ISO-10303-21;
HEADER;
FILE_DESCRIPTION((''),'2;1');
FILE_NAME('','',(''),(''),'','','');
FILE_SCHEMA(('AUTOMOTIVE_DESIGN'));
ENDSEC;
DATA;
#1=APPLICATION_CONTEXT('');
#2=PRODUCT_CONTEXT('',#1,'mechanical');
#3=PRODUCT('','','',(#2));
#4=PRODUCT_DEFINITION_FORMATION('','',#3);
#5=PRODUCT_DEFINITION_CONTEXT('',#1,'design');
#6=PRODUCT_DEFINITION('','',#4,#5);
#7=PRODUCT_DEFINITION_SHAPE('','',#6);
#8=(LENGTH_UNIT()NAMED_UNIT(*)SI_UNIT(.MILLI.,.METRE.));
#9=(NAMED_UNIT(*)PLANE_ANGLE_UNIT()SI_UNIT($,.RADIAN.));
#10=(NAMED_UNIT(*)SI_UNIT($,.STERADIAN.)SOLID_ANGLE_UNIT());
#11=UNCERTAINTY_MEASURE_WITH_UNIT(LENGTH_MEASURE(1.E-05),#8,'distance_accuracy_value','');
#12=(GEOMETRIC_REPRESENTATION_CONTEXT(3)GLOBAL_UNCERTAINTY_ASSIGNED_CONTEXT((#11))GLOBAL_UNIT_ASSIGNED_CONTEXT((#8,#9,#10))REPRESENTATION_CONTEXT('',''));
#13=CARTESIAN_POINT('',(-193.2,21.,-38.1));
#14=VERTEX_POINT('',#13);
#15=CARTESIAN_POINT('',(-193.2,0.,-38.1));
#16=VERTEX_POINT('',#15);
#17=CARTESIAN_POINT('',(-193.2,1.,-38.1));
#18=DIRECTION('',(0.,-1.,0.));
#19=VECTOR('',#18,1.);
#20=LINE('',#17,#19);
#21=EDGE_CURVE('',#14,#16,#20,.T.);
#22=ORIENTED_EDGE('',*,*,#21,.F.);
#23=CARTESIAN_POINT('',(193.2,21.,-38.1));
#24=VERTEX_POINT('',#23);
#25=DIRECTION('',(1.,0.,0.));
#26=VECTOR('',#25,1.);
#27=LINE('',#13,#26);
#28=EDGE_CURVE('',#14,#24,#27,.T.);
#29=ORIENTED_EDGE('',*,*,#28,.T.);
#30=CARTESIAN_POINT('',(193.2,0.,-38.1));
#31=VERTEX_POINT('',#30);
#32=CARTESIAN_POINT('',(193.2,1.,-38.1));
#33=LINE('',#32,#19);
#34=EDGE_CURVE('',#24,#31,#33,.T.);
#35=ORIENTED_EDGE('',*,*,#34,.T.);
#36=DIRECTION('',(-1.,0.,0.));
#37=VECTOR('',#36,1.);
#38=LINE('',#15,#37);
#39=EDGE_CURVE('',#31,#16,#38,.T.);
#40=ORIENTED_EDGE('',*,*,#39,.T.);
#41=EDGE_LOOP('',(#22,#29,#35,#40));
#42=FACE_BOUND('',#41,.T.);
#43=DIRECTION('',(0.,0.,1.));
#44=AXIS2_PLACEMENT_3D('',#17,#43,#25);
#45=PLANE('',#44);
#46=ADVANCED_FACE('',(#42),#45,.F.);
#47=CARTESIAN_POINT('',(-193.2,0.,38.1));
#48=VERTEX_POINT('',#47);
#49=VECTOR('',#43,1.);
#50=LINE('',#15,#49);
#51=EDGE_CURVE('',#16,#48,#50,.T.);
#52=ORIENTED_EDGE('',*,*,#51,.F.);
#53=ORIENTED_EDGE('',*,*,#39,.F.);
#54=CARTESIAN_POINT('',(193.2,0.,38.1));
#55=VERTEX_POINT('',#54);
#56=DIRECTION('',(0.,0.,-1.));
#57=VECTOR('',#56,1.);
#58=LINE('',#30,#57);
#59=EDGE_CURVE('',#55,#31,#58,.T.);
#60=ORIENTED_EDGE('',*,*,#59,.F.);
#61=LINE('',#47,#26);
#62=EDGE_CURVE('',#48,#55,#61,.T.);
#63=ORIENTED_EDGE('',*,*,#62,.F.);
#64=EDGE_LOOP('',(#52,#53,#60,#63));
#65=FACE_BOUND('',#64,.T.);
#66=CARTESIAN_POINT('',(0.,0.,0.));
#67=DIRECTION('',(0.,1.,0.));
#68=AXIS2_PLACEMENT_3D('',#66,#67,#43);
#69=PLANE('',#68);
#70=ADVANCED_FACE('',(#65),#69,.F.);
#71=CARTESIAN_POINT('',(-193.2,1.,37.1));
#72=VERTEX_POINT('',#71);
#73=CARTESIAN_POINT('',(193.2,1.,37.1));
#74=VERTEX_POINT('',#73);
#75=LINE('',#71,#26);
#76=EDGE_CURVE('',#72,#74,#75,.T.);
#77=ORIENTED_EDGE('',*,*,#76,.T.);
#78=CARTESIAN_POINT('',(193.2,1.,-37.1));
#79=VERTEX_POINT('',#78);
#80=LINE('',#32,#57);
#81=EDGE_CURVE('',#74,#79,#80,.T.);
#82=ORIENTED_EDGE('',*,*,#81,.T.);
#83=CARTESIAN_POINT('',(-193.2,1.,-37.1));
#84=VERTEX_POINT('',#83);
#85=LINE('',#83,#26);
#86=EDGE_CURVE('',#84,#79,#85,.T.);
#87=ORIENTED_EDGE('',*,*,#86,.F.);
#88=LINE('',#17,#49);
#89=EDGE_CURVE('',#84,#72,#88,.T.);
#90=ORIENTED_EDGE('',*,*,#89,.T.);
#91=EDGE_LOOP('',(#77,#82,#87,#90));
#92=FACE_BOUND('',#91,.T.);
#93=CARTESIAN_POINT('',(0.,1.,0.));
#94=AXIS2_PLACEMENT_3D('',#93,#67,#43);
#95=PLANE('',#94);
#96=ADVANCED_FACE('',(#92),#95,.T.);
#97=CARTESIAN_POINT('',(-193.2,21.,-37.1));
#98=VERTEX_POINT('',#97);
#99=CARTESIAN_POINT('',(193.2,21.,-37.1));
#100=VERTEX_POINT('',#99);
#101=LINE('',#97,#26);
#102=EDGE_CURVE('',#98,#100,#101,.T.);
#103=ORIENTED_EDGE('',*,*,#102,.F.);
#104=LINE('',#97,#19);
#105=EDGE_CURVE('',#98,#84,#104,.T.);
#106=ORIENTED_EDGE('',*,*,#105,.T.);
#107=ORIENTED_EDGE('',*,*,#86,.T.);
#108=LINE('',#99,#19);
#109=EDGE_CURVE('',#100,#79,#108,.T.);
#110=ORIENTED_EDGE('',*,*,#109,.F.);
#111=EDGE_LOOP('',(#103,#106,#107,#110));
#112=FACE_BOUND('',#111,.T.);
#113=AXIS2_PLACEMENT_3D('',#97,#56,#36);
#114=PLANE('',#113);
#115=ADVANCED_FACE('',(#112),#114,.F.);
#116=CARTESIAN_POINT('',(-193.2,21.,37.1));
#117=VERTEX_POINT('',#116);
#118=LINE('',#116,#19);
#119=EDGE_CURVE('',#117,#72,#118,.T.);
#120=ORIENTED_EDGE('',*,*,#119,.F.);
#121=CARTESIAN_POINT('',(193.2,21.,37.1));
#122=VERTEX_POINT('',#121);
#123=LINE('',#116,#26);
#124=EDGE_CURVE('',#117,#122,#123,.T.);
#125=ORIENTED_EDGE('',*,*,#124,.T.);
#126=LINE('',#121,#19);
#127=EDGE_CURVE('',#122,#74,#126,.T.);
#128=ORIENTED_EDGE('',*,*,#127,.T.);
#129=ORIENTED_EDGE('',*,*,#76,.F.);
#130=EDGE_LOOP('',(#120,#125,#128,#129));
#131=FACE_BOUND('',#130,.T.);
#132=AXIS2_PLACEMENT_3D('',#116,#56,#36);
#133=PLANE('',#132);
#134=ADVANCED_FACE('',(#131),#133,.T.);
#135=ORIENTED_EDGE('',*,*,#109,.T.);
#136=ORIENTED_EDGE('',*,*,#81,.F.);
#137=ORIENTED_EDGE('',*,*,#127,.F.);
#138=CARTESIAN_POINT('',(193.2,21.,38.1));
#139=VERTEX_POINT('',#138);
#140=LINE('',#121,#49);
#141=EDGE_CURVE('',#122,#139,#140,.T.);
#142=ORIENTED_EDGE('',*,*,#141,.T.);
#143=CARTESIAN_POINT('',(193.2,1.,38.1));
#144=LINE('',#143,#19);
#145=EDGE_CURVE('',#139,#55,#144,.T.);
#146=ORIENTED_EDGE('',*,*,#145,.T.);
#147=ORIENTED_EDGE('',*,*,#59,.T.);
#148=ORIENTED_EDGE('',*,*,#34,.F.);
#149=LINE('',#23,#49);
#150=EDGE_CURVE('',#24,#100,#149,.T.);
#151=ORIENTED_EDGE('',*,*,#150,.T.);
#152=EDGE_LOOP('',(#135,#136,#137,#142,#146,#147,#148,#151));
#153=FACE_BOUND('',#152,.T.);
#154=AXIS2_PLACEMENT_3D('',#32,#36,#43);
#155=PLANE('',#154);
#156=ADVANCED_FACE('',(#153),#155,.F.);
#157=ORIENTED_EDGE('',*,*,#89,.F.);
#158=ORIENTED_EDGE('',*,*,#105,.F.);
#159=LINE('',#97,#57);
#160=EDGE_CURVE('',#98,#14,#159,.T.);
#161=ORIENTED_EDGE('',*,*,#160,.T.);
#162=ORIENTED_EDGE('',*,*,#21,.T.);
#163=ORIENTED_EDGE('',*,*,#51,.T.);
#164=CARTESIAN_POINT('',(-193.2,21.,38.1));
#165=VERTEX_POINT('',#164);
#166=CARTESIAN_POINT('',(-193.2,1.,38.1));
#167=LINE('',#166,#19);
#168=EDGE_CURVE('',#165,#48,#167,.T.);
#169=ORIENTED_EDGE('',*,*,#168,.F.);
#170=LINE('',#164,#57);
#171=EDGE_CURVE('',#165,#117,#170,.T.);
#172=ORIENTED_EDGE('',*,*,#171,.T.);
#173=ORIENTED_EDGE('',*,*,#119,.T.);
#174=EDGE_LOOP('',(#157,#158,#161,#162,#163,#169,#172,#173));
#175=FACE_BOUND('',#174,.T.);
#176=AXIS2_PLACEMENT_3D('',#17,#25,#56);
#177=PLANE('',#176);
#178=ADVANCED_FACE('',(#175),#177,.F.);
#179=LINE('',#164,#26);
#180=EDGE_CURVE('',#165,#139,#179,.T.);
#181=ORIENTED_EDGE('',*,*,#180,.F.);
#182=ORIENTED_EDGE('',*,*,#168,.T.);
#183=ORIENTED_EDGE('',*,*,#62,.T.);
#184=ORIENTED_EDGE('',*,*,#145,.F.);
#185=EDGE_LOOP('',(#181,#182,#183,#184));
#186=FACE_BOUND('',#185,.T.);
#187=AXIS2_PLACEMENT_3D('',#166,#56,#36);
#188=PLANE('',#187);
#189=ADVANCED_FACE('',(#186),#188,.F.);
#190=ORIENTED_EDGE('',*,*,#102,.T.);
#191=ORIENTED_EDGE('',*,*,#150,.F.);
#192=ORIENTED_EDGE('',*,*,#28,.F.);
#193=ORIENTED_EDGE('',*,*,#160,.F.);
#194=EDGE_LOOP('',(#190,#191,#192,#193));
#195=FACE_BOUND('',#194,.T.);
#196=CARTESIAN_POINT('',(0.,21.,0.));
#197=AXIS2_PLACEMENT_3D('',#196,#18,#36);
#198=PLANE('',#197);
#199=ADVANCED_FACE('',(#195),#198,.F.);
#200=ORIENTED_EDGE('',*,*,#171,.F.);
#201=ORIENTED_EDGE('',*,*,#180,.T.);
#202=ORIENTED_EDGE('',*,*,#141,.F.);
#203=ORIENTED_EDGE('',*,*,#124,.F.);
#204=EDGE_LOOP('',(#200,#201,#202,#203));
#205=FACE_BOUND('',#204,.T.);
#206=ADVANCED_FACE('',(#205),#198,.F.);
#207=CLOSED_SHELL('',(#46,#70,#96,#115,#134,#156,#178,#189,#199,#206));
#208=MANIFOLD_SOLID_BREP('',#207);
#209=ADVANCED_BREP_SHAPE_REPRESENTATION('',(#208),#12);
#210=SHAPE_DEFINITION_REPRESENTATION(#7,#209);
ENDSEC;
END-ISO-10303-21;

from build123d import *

# Parameters (mm, degrees)
SKETCH1_W           = 386.4
SKETCH1_H           = 76.2
BOSS_EXTRUDE1_DEPTH = 1
SKETCH2_W           = 386.4
SKETCH2_H           = 1
EXTRUDE_THIN1_DEPTH = 20
SKETCH5_W           = 386.4
SKETCH5_H           = 1
EXTRUDE_THIN2_DEPTH = 20


with BuildPart() as part:
    # Sketch1 → Boss-Extrude1 (new body)
    with BuildSketch(Plane(origin=(0, 0, 0), x_dir=(1, 0, 0), z_dir=(0, 1, 0))):
        Rectangle(SKETCH1_W, SKETCH1_H)
    extrude(amount=BOSS_EXTRUDE1_DEPTH)

    # Sketch2 → Extrude-Thin1 (add)
    with BuildSketch(Plane(origin=(0, 1, 0), x_dir=(1, 0, 0), z_dir=(0, 1, 0))):
        with Locations((0, -37.6)):
            Rectangle(SKETCH2_W, SKETCH2_H)
    extrude(amount=EXTRUDE_THIN1_DEPTH)

    # Sketch5 → Extrude-Thin2 (add)
    with BuildSketch(Plane(origin=(0, 1, 0), x_dir=(1, 0, 0), z_dir=(0, 1, 0))):
        with Locations((0, 37.6)):
            Rectangle(SKETCH5_W, SKETCH5_H)
    extrude(amount=EXTRUDE_THIN2_DEPTH)


solid = part.part
